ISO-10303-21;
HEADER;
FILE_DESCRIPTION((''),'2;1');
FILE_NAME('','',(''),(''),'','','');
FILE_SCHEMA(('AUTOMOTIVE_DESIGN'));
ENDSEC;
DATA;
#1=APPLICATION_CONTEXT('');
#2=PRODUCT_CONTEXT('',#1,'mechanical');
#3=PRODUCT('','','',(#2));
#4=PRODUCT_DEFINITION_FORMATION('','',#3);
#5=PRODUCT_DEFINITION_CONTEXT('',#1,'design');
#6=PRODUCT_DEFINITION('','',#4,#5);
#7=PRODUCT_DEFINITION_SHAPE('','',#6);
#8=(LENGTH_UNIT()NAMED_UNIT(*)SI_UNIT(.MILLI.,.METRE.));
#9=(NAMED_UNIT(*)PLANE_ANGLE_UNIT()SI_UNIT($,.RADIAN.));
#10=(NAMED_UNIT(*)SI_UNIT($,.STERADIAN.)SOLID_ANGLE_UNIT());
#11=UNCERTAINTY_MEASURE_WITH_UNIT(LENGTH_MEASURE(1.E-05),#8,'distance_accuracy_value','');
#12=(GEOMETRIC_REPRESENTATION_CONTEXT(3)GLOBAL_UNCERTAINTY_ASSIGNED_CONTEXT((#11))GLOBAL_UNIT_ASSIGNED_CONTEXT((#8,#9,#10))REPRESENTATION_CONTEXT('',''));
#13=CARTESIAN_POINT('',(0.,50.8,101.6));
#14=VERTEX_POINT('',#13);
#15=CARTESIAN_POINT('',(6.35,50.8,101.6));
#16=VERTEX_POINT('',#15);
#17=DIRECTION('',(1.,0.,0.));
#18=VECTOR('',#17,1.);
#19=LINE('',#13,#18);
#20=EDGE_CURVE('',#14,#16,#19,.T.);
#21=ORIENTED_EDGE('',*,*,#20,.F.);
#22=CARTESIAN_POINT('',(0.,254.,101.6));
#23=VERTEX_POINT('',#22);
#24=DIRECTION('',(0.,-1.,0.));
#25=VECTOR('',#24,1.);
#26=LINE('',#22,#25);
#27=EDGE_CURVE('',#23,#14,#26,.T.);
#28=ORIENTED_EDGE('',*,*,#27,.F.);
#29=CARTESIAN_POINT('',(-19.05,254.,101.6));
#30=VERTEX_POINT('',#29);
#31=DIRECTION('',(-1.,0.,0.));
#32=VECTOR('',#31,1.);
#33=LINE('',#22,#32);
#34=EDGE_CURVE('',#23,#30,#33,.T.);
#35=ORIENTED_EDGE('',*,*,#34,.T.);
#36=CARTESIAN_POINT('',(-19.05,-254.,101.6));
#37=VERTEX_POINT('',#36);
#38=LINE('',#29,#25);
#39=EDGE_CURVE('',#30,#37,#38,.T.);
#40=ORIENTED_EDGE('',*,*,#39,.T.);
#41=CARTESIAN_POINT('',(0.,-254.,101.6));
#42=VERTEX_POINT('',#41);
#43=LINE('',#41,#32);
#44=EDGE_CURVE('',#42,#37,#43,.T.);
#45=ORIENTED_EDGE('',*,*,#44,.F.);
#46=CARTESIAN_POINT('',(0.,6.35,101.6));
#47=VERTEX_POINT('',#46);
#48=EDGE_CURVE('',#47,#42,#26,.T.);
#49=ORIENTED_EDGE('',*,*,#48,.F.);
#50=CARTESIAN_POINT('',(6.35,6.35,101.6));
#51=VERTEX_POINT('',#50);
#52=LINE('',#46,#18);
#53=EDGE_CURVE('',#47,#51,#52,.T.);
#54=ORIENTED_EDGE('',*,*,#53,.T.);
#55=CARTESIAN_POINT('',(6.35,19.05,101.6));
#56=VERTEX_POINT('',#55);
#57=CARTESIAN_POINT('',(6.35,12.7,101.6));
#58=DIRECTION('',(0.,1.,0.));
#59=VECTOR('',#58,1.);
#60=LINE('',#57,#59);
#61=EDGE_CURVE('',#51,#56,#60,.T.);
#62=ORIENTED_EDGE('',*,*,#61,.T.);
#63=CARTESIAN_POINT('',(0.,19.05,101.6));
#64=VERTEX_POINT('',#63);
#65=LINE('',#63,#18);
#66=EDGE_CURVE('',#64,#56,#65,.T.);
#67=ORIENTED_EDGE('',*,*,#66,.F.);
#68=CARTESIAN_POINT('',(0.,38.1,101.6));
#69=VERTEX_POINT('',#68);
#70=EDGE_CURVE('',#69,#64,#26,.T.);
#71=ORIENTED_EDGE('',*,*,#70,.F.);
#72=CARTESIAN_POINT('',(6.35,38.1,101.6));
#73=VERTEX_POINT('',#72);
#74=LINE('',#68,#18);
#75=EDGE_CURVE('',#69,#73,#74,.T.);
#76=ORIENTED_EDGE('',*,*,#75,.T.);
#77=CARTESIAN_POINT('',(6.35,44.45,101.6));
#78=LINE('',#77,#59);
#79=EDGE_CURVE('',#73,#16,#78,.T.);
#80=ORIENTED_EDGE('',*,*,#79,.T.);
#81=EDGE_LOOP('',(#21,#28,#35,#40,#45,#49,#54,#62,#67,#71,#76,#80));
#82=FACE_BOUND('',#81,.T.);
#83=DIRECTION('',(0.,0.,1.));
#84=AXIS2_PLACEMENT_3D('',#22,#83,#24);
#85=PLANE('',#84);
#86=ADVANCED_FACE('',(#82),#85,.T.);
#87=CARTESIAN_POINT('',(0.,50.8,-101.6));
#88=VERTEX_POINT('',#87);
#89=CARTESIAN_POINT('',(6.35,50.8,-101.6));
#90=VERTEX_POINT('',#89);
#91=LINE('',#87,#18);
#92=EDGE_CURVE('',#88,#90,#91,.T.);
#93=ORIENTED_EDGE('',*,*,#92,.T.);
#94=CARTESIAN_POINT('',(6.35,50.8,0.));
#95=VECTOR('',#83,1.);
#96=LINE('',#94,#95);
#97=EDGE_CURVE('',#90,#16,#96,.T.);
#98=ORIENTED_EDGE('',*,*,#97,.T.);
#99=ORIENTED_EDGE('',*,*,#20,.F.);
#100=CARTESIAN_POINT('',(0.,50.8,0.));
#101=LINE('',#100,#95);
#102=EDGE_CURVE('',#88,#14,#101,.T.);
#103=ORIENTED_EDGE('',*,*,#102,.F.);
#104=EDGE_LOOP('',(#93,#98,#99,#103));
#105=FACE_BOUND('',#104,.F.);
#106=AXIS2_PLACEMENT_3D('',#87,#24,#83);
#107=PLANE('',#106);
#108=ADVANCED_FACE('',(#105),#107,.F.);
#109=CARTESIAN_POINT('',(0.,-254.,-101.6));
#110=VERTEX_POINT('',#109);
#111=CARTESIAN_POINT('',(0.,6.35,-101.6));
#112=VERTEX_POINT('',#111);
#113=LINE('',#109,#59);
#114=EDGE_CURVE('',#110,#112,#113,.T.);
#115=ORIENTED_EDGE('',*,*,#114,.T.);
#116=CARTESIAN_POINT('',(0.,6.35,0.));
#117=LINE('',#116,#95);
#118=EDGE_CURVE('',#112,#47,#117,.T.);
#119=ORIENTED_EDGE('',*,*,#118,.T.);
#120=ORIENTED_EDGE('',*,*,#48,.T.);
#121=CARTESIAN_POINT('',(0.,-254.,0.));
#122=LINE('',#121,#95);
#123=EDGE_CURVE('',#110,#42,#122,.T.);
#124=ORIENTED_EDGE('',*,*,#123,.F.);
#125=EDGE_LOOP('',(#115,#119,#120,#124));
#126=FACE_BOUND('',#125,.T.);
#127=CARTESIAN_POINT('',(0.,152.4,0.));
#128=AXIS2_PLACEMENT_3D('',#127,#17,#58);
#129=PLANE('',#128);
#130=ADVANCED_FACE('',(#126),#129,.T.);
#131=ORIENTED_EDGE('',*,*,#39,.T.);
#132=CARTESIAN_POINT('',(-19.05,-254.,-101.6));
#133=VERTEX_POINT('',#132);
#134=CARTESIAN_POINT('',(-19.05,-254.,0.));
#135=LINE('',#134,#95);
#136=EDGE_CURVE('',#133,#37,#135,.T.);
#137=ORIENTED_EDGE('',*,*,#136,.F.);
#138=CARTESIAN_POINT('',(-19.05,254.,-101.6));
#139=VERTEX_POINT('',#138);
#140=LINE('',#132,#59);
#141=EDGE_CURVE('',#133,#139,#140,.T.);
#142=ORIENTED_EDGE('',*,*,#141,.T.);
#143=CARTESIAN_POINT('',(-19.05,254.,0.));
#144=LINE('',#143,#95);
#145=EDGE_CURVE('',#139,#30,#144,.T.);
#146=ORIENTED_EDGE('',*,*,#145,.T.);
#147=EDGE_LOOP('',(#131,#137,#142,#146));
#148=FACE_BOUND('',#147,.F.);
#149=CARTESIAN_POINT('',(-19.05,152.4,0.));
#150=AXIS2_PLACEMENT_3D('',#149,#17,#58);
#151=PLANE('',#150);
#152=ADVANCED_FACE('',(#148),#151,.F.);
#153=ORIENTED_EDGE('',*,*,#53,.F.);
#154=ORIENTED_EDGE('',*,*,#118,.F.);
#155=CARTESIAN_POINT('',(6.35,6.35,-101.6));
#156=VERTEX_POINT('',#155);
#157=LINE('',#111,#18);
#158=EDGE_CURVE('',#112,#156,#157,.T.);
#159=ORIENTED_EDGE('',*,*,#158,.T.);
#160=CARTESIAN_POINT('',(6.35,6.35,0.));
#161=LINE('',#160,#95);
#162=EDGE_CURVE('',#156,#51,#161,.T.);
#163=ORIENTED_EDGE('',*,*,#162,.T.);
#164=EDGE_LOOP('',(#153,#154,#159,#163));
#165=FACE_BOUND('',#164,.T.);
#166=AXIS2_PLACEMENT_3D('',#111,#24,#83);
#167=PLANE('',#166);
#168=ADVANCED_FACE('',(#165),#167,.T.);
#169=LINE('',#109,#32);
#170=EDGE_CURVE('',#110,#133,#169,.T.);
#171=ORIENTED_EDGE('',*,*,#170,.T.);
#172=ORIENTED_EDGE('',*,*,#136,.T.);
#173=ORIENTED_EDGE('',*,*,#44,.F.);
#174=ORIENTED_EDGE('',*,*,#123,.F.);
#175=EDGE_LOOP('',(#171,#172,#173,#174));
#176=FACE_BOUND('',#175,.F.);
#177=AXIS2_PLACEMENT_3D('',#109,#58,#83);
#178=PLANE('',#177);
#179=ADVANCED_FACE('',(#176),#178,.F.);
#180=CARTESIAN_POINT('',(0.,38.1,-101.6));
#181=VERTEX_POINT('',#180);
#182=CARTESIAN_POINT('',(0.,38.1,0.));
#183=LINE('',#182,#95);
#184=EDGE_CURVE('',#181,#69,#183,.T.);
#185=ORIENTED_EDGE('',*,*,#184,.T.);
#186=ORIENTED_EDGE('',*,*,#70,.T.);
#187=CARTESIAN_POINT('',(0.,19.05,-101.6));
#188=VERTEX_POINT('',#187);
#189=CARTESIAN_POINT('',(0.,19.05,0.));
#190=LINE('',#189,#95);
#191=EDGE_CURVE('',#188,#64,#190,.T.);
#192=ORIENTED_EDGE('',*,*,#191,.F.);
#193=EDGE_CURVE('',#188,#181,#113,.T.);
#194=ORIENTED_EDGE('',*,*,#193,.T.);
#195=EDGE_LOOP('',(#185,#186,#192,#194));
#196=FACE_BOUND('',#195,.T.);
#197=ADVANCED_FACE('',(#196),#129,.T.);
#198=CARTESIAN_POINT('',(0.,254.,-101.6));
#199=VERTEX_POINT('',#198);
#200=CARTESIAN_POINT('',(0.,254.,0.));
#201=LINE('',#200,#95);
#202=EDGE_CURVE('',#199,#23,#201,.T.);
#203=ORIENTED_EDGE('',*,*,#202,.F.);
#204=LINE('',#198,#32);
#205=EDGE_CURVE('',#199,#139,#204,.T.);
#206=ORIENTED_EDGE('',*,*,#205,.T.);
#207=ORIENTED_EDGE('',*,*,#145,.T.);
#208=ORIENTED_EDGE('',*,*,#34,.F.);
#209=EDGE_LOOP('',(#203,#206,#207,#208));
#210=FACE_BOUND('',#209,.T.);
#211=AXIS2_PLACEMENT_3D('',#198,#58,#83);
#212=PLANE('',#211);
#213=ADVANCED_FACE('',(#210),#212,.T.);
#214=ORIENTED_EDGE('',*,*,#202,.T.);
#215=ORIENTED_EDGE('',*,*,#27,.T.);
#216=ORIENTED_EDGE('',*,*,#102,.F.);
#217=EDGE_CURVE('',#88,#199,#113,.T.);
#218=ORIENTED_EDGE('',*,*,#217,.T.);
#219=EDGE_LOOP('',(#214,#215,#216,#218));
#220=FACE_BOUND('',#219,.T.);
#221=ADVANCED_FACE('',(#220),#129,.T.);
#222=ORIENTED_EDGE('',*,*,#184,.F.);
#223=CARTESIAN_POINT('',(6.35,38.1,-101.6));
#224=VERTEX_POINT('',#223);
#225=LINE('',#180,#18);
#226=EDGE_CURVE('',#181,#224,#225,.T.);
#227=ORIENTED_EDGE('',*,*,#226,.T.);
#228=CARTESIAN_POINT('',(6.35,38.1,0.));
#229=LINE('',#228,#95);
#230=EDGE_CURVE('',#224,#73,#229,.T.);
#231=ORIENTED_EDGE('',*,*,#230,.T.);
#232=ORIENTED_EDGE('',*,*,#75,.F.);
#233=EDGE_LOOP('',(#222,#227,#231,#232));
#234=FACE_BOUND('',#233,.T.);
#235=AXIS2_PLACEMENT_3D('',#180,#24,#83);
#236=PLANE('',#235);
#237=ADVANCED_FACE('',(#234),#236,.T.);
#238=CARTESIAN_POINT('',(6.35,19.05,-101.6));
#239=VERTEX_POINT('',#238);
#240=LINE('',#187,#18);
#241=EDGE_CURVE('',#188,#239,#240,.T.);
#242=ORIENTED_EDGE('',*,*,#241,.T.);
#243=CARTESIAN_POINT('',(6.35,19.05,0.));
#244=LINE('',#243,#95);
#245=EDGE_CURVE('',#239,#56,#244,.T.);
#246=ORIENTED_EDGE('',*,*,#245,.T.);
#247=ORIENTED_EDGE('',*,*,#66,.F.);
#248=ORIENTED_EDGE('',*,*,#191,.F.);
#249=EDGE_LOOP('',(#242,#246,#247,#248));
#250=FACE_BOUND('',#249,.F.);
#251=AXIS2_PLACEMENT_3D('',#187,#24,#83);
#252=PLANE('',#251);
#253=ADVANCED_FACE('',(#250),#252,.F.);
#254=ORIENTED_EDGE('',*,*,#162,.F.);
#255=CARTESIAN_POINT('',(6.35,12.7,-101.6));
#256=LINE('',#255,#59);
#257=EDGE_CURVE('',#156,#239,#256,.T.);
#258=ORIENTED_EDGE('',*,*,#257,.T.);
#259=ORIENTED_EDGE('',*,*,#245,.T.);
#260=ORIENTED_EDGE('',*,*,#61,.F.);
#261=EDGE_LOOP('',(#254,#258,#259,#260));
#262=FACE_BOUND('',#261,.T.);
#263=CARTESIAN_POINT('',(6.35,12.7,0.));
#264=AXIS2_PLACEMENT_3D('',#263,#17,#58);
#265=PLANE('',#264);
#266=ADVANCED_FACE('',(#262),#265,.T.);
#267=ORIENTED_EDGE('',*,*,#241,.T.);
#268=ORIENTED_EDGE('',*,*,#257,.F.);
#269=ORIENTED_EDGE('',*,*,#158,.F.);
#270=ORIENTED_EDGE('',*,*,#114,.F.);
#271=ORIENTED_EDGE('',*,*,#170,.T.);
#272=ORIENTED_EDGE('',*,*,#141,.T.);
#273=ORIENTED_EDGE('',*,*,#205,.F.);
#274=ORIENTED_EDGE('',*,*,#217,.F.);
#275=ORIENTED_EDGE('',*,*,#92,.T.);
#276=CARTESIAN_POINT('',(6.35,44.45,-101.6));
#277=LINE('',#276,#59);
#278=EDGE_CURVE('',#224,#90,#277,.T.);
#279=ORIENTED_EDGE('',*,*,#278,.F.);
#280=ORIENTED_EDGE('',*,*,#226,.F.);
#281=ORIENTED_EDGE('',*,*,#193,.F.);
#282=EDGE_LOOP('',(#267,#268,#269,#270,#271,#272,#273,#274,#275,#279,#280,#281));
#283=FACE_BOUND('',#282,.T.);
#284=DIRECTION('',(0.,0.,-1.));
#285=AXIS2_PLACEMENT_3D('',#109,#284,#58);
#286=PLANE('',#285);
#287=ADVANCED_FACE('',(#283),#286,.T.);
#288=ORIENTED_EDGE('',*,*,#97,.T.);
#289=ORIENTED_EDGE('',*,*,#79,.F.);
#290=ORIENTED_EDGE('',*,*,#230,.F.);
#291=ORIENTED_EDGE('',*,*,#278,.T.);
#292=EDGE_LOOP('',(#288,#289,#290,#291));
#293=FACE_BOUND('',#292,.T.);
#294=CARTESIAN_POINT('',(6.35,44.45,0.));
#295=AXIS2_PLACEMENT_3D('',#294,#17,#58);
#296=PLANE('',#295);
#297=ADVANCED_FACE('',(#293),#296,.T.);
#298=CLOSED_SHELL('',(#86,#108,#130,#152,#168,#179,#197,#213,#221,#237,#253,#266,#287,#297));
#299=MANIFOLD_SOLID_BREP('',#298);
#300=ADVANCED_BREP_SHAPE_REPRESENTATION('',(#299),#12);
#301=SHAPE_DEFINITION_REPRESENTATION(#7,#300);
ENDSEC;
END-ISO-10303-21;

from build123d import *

# Parameters (mm, degrees)
F0_W     = 203.2
F0_H     = 203.2
F0_W_2   = 19.05
F0_W_3   = 12.7
F0_W_4   = 260.35
F1_DEPTH = 19.05
F2_DEPTH = 6.35


with BuildPart() as f1:
    # F0 (on Right) → F1 (new body)
    with BuildSketch(Plane.YZ):
        with Locations((152.4, 0)):
            Rectangle(F0_W, F0_H)
        with Locations((28.575, 0)):
            Rectangle(F0_W_2, F0_H)
        with Locations((12.7, 0)):
            Rectangle(F0_W_3, F0_H)
        with Locations((-123.825, 0)):
            Rectangle(F0_W_4, F0_H)
        with Locations((44.45, 0)):
            Rectangle(F0_W_3, F0_H)
    extrude(amount=-F1_DEPTH)

    # F0 (on Right) → F2 (join)
    with BuildSketch(Plane.YZ):
        with Locations((44.45, 0)):
            Rectangle(F0_W_3, F0_H)
        with Locations((12.7, 0)):
            Rectangle(F0_W_3, F0_H)
    extrude(amount=F2_DEPTH)


solid = f1.part
